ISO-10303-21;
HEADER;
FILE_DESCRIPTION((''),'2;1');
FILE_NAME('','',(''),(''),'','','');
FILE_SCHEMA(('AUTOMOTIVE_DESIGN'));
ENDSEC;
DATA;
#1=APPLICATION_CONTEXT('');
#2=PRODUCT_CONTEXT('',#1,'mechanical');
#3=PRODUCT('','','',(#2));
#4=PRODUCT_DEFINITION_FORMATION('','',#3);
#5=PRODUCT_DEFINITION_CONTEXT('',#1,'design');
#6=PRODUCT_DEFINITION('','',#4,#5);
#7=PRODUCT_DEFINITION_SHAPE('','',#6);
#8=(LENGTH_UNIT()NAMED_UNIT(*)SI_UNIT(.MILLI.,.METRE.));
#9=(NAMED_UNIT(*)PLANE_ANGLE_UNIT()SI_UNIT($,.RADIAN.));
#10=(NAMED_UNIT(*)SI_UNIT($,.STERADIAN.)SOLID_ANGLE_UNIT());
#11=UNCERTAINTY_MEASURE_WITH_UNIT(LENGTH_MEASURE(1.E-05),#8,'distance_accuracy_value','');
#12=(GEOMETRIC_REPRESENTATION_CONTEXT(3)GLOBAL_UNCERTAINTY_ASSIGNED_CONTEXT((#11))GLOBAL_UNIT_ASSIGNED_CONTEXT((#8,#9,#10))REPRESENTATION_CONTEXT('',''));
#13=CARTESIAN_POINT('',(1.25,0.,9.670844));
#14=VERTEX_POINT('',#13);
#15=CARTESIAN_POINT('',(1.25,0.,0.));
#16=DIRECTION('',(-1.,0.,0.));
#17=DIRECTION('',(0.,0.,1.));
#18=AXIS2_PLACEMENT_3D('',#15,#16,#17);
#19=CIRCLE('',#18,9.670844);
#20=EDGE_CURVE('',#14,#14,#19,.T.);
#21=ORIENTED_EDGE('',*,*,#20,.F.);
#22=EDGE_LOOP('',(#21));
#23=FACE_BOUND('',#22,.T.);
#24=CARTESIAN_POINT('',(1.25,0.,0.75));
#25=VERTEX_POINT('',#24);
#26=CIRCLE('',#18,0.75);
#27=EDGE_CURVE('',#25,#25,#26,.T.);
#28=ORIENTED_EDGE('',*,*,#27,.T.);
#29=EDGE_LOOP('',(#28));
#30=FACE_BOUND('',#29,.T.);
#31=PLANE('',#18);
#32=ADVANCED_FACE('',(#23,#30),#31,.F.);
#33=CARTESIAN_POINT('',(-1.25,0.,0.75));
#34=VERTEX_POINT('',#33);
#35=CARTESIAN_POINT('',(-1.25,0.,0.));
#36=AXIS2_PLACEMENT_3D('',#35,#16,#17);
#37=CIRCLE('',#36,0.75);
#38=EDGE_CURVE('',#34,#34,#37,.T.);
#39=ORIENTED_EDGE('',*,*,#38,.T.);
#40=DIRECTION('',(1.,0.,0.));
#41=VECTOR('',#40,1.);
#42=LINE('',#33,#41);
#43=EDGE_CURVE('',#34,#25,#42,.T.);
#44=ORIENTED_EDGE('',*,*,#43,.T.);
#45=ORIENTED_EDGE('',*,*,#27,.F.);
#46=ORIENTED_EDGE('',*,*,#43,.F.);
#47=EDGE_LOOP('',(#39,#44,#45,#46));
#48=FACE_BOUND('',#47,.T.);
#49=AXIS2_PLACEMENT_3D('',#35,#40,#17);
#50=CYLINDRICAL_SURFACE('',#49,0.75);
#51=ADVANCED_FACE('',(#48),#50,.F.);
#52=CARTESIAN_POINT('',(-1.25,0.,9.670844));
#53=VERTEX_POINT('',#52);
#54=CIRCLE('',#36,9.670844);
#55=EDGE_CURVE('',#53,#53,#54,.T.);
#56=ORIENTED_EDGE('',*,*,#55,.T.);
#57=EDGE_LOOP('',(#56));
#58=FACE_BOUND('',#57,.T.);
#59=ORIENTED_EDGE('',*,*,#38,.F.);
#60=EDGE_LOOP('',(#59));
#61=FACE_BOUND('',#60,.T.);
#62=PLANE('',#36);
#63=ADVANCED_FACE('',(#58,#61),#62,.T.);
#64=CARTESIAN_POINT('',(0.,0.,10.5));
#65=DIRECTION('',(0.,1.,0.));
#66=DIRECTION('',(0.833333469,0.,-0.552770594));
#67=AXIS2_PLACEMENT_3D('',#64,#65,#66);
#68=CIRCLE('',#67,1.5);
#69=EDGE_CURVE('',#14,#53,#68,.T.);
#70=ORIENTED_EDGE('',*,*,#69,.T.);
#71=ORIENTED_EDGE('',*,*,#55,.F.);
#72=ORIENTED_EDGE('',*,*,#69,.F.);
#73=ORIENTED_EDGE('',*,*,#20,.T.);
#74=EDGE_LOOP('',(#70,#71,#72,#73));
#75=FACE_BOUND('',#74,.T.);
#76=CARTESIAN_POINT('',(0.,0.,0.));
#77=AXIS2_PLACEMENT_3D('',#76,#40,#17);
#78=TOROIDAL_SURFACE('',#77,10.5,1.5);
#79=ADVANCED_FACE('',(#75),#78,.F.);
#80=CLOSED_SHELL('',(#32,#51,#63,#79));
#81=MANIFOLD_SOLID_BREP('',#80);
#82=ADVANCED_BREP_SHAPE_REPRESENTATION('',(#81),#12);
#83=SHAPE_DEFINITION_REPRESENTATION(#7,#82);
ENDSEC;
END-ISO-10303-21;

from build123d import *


with BuildPart() as f2:
    # F0 (on Front) → F2 (revolve)
    with BuildSketch(Plane.XZ):
        with BuildLine():
            ThreePointArc((1.25, 9.670844), (0, 9), (-1.25, 9.670844))
            Line((-1.25, 9.670844), (-1.25, 0.75))
            Line((-1.25, 0.75), (1.25, 0.75))
            Line((1.25, 0.75), (1.25, 9.670844))
        make_face()
    revolve(axis=Axis((-2.344014, 0, 0), (-1, 0, 0)))


solid = f2.part
